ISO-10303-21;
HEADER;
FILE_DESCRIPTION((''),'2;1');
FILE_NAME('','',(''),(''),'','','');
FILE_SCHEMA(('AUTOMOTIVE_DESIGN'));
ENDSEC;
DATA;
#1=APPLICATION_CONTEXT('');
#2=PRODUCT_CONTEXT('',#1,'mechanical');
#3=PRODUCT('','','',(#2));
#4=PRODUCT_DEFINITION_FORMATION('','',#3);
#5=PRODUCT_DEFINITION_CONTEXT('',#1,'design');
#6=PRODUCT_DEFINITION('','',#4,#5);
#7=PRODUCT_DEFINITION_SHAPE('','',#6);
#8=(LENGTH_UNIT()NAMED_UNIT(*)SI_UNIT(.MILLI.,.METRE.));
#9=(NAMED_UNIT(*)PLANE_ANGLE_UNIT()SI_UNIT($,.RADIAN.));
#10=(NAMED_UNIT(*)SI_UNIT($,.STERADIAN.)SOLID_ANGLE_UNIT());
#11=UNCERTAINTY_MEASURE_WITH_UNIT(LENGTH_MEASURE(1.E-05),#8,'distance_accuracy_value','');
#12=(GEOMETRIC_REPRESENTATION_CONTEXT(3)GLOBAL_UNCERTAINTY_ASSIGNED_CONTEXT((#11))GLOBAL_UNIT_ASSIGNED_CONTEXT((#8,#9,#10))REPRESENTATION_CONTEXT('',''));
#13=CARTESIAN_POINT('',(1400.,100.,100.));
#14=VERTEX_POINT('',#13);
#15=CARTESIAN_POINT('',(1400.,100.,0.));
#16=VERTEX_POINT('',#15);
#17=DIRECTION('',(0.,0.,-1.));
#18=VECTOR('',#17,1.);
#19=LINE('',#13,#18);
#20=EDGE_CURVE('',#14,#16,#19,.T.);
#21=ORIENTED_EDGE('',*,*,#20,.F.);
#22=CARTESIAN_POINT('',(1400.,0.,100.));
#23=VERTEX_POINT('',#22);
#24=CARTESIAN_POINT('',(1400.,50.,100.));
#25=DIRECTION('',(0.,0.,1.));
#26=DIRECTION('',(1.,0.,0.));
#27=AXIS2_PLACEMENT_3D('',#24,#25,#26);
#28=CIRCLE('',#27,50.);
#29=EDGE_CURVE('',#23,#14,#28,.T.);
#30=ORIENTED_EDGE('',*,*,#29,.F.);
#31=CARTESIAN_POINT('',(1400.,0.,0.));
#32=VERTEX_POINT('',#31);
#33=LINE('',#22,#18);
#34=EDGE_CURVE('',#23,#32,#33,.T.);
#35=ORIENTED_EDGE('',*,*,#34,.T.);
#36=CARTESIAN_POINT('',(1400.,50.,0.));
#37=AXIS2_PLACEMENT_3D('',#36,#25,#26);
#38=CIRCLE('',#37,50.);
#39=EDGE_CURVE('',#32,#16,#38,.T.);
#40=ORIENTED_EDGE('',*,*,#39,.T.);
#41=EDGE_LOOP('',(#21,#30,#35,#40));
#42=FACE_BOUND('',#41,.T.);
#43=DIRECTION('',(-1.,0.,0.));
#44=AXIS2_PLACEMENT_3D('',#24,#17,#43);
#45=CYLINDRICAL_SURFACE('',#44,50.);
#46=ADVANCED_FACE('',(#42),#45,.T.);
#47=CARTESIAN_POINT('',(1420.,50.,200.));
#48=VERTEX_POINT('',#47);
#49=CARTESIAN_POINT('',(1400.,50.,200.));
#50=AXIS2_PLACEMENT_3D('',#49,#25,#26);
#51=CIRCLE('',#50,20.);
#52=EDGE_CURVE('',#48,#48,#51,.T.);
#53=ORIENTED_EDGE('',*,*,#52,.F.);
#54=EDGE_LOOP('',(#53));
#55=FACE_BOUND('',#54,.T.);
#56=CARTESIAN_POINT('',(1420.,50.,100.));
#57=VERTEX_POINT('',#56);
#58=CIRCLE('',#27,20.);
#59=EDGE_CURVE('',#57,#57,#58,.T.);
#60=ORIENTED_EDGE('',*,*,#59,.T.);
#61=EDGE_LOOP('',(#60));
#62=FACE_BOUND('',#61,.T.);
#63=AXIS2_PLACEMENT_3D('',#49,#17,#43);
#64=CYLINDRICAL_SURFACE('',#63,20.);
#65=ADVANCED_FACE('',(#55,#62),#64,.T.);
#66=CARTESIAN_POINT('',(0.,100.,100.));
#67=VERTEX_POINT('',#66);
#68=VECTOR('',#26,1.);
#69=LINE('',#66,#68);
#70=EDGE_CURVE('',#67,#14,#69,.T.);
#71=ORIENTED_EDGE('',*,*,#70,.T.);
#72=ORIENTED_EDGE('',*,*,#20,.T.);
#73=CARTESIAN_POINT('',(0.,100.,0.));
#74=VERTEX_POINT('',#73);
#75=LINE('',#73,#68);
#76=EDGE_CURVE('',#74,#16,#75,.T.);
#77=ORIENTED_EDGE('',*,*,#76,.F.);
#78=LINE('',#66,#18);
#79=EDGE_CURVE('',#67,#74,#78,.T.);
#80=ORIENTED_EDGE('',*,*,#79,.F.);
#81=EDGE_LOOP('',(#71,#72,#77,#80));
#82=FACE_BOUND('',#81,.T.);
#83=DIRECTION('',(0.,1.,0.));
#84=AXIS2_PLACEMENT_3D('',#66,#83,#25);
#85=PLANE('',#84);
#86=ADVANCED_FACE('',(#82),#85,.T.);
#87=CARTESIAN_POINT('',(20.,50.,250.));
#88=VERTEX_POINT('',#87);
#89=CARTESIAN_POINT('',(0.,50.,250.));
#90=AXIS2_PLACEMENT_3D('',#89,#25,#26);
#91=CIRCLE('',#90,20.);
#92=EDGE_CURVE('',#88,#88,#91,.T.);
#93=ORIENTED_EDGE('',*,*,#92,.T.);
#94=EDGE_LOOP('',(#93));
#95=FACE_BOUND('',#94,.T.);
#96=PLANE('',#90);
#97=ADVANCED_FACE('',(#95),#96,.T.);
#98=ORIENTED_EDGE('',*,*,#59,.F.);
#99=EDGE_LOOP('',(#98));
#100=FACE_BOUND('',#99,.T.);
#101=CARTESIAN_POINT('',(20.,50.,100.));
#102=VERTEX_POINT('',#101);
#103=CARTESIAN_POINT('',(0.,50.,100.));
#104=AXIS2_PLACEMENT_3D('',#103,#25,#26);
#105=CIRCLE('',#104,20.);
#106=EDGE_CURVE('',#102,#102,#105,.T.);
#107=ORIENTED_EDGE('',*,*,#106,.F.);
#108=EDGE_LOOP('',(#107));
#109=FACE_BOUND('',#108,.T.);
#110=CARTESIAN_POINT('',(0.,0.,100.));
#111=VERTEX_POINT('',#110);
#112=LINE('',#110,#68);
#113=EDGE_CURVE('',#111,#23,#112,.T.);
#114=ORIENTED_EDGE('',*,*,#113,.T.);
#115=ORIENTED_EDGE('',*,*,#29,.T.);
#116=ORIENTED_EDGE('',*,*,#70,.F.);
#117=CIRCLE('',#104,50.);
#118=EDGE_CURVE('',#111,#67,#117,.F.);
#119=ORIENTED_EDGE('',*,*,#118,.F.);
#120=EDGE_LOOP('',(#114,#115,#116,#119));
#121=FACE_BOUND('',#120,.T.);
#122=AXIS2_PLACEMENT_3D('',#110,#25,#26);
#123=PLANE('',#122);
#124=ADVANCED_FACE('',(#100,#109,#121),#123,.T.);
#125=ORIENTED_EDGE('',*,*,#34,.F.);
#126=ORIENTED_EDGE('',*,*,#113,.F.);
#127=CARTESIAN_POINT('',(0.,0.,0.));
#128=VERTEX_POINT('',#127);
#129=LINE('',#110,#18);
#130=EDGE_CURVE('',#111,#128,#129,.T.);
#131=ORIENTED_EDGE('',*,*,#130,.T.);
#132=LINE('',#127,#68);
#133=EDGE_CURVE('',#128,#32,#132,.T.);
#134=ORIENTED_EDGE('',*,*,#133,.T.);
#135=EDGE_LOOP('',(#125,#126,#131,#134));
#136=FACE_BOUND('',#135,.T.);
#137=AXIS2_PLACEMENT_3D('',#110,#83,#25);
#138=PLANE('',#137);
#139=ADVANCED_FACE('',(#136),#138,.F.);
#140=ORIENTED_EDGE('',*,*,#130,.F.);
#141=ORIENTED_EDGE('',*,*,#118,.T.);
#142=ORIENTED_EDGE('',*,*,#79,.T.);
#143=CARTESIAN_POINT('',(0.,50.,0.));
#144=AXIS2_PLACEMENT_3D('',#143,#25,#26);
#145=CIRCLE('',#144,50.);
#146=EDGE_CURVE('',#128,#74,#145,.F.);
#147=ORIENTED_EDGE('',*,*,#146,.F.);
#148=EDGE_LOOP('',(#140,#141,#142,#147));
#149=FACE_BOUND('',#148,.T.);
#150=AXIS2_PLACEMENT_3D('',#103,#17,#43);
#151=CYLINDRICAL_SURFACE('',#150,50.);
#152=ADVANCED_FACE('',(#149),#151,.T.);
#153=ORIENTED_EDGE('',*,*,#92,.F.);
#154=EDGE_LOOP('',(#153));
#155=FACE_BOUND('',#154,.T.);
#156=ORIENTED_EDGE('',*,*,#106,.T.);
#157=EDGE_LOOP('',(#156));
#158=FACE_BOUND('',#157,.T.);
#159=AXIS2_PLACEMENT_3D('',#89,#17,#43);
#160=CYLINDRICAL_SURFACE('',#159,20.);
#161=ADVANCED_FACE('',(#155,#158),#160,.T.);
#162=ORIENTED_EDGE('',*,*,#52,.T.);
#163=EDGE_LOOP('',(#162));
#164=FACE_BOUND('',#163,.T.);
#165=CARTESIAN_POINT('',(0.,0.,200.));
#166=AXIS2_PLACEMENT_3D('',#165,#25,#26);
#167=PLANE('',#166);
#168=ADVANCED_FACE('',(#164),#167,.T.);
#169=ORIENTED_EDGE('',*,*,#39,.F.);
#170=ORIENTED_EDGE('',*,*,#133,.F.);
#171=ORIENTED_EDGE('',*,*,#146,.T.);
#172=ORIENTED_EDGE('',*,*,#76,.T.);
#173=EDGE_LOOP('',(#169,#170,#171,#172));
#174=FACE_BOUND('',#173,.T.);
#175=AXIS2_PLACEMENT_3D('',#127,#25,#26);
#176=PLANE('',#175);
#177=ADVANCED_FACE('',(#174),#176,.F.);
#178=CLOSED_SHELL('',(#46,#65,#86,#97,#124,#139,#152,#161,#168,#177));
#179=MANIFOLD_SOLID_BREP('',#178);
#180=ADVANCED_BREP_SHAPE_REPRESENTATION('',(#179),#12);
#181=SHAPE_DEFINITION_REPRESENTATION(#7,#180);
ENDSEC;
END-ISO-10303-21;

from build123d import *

# Parameters (mm, degrees)
BOSS_EXTRUDE1_DEPTH = 100
SKETCH2_R           = 20
BOSS_EXTRUDE3_DEPTH = 150
SKETCH4_R           = 20
BOSS_EXTRUDE4_DEPTH = 100


with BuildPart() as part:
    # Sketch1 → Boss-Extrude1 (new body)
    with BuildSketch(Plane.XY):
        with BuildLine():
            Line((0, 0), (1400, 0))
            ThreePointArc((1400, 0), (1450, 50), (1400, 100))
            Line((1400, 100), (0, 100))
            ThreePointArc((0, 100), (-50, 50), (0, 0))
        make_face()
    extrude(amount=BOSS_EXTRUDE1_DEPTH)

    # Sketch2 → Boss-Extrude3 (add)
    with BuildSketch(Plane.XY.offset(100)):
        with Locations((0, 50)):
            Circle(SKETCH2_R)
    extrude(amount=BOSS_EXTRUDE3_DEPTH)

    # Sketch4 → Boss-Extrude4 (add)
    with BuildSketch(Plane.XY.offset(100)):
        with Locations((1400, 50)):
            Circle(SKETCH4_R)
    extrude(amount=BOSS_EXTRUDE4_DEPTH)


solid = part.part
